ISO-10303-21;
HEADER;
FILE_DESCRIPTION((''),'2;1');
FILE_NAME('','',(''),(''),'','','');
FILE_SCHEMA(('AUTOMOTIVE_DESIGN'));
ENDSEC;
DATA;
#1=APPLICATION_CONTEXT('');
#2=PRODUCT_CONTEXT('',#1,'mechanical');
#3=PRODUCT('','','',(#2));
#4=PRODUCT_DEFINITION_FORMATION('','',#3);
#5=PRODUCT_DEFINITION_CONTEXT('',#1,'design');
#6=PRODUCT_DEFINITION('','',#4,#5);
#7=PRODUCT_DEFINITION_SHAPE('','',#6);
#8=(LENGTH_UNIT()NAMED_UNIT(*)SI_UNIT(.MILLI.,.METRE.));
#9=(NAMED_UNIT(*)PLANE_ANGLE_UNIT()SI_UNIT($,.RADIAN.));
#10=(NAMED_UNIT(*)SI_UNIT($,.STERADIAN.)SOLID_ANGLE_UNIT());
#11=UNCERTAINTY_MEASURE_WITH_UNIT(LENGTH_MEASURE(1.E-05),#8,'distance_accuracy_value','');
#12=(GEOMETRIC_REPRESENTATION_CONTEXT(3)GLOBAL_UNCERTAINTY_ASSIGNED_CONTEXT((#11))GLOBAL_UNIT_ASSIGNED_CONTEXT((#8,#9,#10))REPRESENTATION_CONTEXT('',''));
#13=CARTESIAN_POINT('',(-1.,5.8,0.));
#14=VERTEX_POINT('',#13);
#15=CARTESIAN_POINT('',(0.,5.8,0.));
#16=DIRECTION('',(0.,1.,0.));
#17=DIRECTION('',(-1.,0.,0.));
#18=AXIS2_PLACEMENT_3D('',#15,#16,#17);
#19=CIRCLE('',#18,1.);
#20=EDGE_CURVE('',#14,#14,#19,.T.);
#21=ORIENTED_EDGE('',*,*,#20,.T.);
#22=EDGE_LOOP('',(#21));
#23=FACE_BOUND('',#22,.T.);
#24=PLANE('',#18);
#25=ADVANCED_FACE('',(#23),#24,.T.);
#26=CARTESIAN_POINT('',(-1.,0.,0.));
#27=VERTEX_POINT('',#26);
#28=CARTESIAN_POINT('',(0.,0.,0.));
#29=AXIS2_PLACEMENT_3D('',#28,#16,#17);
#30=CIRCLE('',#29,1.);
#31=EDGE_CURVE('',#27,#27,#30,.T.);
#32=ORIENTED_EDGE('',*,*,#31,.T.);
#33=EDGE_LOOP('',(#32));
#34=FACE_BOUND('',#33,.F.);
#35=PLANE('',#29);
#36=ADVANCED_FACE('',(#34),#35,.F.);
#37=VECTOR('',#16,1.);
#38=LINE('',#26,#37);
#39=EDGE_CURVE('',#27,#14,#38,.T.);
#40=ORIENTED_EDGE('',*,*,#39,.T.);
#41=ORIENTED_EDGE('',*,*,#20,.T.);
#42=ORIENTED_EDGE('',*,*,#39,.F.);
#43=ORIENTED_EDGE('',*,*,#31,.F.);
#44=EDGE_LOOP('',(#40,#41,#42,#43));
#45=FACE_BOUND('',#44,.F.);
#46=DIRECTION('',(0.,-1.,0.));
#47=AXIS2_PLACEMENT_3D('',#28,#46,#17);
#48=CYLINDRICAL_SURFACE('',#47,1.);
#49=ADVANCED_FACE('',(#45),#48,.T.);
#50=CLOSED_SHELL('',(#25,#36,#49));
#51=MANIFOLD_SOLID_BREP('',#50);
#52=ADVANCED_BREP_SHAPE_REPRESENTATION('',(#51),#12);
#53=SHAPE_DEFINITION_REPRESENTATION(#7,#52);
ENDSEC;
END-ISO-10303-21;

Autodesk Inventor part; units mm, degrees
ref_plane "YZ Plane" through (0, 0, 0) normal (1, 0, 0) x (0, 1, 0)
ref_plane "XZ Plane" through (0, 0, 0) normal (0, 1, 0) x (-1, 0, 0)
ref_plane "XY Plane" through (0, 0, 0) normal (0, 0, 1) x (1, 0, 0)
sketch "Эскиз1" plane through (0, 0, 0) normal (0, 1, 0) x (-1, 0, 0)
  circle A0 centre (0, 0) radius 1
  dimension "d0" = 2
extrude "Выдавливание1" add sketch "Эскиз1" along normal blind 5.8
properties part number "Ось 2мм рулевой сервы"
